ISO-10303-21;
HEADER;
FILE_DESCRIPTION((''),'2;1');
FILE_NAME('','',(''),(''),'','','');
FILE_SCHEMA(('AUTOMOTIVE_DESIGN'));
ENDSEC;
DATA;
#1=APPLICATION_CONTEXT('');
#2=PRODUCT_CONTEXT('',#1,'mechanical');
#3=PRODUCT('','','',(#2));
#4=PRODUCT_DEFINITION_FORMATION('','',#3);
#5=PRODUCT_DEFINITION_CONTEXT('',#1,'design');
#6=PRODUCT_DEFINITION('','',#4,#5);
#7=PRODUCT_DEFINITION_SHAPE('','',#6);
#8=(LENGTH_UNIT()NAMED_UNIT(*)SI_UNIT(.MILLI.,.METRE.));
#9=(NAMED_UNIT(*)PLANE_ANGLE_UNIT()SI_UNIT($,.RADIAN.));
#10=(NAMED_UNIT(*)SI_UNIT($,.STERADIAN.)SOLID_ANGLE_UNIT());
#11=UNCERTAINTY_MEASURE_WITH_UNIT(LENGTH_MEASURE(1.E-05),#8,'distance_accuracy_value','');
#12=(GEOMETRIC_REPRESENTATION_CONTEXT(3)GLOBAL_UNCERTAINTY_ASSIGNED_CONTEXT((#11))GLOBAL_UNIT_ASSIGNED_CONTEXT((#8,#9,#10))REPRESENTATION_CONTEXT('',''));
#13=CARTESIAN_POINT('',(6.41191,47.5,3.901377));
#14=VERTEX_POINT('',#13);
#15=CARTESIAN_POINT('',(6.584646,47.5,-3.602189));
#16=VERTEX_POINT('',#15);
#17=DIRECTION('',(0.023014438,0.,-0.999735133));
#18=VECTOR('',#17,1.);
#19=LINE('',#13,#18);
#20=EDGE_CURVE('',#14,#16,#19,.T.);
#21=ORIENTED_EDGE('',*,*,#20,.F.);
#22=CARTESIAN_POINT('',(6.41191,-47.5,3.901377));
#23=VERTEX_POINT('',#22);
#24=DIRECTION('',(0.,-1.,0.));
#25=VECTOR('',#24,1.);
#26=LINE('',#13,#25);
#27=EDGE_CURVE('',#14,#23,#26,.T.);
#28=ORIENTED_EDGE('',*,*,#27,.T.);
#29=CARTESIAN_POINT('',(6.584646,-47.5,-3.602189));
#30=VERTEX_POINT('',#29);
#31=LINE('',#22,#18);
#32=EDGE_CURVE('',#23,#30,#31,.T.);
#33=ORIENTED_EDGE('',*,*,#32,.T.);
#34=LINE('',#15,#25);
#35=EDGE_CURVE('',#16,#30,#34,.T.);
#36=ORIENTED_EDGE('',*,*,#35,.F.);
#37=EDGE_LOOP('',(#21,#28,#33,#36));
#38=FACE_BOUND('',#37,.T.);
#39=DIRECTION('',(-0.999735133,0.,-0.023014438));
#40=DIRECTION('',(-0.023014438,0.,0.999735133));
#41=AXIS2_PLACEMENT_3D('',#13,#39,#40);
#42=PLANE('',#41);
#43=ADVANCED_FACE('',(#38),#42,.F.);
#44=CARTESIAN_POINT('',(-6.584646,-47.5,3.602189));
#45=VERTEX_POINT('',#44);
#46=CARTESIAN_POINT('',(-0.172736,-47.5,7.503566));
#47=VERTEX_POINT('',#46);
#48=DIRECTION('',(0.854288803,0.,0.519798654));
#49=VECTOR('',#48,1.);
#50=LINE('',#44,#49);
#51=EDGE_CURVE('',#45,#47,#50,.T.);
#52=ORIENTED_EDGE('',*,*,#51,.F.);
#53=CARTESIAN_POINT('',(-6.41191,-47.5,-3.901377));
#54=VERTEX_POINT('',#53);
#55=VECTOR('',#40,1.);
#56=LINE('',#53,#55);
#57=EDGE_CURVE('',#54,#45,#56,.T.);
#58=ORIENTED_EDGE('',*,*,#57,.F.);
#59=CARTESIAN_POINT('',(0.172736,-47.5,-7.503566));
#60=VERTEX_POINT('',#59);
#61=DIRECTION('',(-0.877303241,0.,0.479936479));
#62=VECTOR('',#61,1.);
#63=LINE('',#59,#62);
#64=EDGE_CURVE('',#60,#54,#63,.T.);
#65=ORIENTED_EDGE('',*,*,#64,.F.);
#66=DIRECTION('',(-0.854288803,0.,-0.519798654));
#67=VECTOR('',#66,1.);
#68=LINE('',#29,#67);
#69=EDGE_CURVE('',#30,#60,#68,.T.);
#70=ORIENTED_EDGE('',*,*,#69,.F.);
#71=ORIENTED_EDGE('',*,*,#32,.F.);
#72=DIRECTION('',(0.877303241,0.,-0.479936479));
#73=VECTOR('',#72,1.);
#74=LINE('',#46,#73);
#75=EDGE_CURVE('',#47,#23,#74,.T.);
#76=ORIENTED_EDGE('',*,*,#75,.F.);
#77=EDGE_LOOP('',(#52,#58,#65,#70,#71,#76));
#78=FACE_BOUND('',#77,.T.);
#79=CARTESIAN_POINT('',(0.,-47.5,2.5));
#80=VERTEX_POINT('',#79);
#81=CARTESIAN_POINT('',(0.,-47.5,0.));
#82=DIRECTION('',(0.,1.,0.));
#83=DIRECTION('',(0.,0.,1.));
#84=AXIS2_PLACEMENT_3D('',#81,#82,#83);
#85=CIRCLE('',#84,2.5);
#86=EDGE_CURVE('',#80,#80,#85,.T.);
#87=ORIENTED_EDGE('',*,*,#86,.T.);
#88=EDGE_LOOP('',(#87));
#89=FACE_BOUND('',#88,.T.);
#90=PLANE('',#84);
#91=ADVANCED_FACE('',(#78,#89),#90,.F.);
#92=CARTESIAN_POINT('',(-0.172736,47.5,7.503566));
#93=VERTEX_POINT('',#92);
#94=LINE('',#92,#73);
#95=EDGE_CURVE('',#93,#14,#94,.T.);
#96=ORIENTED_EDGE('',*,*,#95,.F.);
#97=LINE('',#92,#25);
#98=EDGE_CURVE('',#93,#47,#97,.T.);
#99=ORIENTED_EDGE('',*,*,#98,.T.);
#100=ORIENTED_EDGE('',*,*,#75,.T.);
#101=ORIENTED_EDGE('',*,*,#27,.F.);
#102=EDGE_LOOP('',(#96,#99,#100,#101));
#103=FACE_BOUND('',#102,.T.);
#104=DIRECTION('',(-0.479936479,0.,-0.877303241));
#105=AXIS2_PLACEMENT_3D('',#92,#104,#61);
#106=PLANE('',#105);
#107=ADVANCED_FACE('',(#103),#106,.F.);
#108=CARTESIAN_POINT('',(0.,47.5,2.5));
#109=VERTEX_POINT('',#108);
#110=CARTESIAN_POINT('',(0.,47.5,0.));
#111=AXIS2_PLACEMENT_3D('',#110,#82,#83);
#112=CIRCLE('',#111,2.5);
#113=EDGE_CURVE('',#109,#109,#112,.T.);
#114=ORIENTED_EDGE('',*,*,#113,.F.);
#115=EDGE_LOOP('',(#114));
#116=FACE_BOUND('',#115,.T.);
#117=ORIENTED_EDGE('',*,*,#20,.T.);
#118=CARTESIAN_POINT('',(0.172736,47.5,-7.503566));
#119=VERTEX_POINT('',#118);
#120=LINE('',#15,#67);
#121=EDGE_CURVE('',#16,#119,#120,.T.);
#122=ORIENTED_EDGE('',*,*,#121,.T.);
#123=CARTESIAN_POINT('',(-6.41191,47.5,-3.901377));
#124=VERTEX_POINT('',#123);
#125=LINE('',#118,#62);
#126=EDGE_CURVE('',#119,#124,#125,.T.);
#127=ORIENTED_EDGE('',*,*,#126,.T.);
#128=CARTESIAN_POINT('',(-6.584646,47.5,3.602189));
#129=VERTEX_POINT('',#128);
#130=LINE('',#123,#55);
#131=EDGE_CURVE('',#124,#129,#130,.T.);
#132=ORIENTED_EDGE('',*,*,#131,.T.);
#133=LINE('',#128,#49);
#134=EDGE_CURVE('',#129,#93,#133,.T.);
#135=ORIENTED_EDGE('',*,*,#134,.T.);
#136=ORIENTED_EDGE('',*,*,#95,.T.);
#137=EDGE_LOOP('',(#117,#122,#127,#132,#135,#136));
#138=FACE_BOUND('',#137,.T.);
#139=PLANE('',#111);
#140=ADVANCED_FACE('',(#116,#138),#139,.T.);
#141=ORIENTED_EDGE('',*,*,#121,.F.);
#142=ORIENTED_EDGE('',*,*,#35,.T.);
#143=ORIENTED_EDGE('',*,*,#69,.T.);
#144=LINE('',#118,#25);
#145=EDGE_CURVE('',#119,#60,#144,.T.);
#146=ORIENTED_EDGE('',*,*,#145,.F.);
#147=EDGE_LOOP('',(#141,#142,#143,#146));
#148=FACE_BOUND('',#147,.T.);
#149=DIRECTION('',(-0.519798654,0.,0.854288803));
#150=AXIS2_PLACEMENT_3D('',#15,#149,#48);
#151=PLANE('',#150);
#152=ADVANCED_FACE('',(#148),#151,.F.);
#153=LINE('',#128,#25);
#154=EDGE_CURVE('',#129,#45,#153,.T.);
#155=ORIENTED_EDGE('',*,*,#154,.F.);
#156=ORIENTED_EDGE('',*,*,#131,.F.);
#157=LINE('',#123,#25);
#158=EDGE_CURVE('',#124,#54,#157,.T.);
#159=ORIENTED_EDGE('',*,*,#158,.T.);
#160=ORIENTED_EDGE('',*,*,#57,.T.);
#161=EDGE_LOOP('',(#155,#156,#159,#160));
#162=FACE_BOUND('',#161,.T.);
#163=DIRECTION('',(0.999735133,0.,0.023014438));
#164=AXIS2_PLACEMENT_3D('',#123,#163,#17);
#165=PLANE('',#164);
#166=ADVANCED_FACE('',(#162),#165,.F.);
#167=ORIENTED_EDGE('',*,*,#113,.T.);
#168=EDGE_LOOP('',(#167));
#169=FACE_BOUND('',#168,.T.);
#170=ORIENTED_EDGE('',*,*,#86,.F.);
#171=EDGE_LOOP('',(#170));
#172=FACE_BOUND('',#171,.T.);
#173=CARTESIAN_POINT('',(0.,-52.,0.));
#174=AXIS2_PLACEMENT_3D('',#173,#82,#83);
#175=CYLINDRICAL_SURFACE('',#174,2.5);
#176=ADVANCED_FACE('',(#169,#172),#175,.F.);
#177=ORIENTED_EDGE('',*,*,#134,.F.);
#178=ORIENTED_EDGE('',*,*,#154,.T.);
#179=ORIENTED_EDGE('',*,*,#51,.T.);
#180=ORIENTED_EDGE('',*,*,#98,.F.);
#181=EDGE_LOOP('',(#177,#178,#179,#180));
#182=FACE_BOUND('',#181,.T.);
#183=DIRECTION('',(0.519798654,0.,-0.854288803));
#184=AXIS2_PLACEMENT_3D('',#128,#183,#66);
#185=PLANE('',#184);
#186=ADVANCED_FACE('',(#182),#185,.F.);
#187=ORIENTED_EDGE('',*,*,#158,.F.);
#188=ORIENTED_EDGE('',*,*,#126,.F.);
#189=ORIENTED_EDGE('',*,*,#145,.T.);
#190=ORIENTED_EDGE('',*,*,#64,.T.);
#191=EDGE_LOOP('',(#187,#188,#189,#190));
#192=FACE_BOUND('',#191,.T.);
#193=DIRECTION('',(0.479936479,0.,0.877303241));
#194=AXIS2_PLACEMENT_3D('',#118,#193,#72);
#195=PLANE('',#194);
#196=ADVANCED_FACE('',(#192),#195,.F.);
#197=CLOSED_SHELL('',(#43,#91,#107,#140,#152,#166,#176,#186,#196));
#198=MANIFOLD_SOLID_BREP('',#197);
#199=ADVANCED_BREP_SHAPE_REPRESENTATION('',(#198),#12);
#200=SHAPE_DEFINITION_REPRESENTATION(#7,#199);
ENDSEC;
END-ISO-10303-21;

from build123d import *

# Parameters (mm, degrees)
BOSS_EXTRUDE1_DEPTH = 47.5
SKETCH1_3_R         = 2.5
CUT_EXTRUDE1_DEPTH  = 52


with BuildPart() as part:
    # Sketch1 → Boss-Extrude1 (new, symmetric)
    with BuildSketch(Plane(origin=(0, 0, 0), x_dir=(1, 0, 0), z_dir=(0, 1, 0))):
        Polygon((6.584646409, 3.602188918), (0.172736092, 7.503565524), (-6.411910317, 3.901376606), (-6.584646409, -3.602188918), (-0.172736092, -7.503565524), (6.411910317, -3.901376606), align=None)
    extrude(amount=BOSS_EXTRUDE1_DEPTH, both=True)

    # Sketch1<3> → Cut-Extrude1 (cut, symmetric)
    with BuildSketch(Plane(origin=(0, 0, 0), x_dir=(1, 0, 0), z_dir=(0, 1, 0))):
        Circle(SKETCH1_3_R)
    extrude(amount=CUT_EXTRUDE1_DEPTH, both=True, mode=Mode.SUBTRACT)


solid = part.part
